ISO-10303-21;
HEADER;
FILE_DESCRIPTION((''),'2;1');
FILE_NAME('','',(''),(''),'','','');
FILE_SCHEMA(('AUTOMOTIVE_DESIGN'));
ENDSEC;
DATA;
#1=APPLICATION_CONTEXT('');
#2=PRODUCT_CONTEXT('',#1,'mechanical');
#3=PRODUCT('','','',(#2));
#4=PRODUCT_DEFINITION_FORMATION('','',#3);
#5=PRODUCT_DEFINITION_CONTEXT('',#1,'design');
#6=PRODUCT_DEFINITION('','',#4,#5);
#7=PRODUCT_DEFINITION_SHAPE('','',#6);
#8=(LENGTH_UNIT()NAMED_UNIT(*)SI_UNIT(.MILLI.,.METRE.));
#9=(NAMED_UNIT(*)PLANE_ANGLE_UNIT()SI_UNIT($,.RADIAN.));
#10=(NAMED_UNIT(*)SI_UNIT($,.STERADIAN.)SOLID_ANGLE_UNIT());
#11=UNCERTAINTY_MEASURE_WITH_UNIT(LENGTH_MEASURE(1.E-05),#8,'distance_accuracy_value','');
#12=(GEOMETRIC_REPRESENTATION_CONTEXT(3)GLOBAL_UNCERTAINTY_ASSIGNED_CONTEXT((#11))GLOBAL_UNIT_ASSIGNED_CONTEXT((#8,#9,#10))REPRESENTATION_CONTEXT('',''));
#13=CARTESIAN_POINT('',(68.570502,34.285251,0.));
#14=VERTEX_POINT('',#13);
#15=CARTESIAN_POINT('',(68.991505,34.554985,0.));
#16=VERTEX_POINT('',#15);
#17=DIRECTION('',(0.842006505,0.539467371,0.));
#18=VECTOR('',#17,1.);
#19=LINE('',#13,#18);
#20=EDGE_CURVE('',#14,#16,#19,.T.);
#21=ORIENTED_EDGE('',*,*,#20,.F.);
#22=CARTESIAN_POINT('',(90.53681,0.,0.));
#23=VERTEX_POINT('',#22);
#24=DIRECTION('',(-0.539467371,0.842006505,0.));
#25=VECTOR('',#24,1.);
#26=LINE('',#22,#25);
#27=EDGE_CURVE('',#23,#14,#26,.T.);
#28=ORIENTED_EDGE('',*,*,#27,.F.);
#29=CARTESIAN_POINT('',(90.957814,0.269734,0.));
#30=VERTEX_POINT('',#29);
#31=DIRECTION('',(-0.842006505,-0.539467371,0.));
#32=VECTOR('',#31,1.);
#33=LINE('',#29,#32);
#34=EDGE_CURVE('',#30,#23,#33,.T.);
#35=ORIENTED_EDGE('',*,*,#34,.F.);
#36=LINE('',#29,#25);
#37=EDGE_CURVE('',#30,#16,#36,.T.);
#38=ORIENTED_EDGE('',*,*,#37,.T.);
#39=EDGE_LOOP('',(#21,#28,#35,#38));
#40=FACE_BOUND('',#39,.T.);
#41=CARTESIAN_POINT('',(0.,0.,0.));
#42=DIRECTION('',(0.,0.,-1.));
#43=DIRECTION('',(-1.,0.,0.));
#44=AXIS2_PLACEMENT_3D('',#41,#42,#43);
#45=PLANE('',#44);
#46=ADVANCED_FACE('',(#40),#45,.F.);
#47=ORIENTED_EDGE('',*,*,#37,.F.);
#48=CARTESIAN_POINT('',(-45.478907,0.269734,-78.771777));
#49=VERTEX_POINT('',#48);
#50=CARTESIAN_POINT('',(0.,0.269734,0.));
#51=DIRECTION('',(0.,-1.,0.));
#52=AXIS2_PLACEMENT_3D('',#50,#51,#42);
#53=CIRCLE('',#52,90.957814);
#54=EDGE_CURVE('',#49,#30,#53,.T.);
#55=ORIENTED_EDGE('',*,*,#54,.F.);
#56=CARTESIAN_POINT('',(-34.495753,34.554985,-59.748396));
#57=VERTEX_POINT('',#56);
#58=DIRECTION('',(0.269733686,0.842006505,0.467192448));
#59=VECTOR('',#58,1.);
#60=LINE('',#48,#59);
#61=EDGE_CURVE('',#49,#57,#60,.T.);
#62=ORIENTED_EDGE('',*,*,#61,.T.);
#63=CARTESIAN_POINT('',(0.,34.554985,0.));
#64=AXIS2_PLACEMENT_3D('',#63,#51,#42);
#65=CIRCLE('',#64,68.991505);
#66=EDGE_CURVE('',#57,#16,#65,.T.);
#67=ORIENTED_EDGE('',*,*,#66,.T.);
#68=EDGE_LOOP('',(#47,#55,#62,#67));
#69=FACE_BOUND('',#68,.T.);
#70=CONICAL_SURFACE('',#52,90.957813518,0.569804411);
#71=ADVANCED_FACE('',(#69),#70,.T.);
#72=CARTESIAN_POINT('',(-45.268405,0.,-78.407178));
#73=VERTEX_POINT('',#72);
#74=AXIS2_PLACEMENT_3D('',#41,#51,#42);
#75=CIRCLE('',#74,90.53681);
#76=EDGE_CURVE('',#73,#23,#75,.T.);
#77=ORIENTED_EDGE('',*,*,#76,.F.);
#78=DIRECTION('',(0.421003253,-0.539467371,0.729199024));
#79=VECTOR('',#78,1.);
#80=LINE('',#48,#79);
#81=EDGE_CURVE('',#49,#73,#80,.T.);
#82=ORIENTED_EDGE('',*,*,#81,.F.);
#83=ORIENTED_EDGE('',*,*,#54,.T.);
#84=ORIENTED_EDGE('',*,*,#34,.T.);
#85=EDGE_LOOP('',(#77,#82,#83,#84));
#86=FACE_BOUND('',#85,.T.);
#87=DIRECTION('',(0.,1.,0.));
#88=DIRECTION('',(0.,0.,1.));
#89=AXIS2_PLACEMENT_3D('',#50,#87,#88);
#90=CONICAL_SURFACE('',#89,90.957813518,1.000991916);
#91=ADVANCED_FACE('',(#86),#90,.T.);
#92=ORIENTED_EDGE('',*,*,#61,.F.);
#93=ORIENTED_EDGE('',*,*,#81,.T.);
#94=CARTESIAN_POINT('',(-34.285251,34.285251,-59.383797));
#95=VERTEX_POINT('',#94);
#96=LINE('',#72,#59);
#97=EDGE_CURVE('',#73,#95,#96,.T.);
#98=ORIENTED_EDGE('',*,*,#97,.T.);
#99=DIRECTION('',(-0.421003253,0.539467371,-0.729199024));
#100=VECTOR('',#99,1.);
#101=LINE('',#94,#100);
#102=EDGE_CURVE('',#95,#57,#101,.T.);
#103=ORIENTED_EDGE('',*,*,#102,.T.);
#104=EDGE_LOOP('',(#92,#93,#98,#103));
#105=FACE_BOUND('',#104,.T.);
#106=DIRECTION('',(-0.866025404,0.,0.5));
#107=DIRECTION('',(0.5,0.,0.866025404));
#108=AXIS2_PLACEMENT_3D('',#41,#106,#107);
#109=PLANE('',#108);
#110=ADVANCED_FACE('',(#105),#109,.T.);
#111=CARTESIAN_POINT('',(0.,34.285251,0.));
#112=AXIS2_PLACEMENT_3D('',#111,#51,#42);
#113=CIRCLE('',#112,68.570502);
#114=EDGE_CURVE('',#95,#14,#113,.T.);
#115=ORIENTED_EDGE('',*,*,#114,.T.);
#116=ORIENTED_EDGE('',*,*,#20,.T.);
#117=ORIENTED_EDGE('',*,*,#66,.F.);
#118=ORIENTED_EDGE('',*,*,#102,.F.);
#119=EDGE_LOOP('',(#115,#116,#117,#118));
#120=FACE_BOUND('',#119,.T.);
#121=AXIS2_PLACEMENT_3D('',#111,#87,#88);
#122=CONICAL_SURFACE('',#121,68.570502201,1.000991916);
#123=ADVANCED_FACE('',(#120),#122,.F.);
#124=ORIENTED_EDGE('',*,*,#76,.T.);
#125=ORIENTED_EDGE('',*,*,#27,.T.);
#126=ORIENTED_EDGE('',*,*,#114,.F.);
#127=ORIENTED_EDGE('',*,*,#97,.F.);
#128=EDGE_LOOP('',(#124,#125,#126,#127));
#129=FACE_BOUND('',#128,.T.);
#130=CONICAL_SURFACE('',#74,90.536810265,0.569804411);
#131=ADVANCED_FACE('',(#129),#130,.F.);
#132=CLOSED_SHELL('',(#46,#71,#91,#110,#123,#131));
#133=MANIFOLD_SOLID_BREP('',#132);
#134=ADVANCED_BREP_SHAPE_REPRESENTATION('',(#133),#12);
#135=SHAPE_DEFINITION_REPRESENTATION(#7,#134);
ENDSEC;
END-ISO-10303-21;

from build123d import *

# Parameters (mm, degrees)
ROTACE_TENKOST_NN_2_ANGLE = 120


with BuildPart() as part:
    # Skica6 → Rotace tenkostěnný2 (revolve)
    with BuildSketch(Plane.XY):
        Polygon((90.536810265, 0), (68.570502201, 34.2852511), (68.991505454, 34.554984786), (90.957813518, 0.269733686), align=None)
    revolve(axis=Axis((0, 0, 0), (0, 1, 0)), revolution_arc=ROTACE_TENKOST_NN_2_ANGLE)


solid = part.part
